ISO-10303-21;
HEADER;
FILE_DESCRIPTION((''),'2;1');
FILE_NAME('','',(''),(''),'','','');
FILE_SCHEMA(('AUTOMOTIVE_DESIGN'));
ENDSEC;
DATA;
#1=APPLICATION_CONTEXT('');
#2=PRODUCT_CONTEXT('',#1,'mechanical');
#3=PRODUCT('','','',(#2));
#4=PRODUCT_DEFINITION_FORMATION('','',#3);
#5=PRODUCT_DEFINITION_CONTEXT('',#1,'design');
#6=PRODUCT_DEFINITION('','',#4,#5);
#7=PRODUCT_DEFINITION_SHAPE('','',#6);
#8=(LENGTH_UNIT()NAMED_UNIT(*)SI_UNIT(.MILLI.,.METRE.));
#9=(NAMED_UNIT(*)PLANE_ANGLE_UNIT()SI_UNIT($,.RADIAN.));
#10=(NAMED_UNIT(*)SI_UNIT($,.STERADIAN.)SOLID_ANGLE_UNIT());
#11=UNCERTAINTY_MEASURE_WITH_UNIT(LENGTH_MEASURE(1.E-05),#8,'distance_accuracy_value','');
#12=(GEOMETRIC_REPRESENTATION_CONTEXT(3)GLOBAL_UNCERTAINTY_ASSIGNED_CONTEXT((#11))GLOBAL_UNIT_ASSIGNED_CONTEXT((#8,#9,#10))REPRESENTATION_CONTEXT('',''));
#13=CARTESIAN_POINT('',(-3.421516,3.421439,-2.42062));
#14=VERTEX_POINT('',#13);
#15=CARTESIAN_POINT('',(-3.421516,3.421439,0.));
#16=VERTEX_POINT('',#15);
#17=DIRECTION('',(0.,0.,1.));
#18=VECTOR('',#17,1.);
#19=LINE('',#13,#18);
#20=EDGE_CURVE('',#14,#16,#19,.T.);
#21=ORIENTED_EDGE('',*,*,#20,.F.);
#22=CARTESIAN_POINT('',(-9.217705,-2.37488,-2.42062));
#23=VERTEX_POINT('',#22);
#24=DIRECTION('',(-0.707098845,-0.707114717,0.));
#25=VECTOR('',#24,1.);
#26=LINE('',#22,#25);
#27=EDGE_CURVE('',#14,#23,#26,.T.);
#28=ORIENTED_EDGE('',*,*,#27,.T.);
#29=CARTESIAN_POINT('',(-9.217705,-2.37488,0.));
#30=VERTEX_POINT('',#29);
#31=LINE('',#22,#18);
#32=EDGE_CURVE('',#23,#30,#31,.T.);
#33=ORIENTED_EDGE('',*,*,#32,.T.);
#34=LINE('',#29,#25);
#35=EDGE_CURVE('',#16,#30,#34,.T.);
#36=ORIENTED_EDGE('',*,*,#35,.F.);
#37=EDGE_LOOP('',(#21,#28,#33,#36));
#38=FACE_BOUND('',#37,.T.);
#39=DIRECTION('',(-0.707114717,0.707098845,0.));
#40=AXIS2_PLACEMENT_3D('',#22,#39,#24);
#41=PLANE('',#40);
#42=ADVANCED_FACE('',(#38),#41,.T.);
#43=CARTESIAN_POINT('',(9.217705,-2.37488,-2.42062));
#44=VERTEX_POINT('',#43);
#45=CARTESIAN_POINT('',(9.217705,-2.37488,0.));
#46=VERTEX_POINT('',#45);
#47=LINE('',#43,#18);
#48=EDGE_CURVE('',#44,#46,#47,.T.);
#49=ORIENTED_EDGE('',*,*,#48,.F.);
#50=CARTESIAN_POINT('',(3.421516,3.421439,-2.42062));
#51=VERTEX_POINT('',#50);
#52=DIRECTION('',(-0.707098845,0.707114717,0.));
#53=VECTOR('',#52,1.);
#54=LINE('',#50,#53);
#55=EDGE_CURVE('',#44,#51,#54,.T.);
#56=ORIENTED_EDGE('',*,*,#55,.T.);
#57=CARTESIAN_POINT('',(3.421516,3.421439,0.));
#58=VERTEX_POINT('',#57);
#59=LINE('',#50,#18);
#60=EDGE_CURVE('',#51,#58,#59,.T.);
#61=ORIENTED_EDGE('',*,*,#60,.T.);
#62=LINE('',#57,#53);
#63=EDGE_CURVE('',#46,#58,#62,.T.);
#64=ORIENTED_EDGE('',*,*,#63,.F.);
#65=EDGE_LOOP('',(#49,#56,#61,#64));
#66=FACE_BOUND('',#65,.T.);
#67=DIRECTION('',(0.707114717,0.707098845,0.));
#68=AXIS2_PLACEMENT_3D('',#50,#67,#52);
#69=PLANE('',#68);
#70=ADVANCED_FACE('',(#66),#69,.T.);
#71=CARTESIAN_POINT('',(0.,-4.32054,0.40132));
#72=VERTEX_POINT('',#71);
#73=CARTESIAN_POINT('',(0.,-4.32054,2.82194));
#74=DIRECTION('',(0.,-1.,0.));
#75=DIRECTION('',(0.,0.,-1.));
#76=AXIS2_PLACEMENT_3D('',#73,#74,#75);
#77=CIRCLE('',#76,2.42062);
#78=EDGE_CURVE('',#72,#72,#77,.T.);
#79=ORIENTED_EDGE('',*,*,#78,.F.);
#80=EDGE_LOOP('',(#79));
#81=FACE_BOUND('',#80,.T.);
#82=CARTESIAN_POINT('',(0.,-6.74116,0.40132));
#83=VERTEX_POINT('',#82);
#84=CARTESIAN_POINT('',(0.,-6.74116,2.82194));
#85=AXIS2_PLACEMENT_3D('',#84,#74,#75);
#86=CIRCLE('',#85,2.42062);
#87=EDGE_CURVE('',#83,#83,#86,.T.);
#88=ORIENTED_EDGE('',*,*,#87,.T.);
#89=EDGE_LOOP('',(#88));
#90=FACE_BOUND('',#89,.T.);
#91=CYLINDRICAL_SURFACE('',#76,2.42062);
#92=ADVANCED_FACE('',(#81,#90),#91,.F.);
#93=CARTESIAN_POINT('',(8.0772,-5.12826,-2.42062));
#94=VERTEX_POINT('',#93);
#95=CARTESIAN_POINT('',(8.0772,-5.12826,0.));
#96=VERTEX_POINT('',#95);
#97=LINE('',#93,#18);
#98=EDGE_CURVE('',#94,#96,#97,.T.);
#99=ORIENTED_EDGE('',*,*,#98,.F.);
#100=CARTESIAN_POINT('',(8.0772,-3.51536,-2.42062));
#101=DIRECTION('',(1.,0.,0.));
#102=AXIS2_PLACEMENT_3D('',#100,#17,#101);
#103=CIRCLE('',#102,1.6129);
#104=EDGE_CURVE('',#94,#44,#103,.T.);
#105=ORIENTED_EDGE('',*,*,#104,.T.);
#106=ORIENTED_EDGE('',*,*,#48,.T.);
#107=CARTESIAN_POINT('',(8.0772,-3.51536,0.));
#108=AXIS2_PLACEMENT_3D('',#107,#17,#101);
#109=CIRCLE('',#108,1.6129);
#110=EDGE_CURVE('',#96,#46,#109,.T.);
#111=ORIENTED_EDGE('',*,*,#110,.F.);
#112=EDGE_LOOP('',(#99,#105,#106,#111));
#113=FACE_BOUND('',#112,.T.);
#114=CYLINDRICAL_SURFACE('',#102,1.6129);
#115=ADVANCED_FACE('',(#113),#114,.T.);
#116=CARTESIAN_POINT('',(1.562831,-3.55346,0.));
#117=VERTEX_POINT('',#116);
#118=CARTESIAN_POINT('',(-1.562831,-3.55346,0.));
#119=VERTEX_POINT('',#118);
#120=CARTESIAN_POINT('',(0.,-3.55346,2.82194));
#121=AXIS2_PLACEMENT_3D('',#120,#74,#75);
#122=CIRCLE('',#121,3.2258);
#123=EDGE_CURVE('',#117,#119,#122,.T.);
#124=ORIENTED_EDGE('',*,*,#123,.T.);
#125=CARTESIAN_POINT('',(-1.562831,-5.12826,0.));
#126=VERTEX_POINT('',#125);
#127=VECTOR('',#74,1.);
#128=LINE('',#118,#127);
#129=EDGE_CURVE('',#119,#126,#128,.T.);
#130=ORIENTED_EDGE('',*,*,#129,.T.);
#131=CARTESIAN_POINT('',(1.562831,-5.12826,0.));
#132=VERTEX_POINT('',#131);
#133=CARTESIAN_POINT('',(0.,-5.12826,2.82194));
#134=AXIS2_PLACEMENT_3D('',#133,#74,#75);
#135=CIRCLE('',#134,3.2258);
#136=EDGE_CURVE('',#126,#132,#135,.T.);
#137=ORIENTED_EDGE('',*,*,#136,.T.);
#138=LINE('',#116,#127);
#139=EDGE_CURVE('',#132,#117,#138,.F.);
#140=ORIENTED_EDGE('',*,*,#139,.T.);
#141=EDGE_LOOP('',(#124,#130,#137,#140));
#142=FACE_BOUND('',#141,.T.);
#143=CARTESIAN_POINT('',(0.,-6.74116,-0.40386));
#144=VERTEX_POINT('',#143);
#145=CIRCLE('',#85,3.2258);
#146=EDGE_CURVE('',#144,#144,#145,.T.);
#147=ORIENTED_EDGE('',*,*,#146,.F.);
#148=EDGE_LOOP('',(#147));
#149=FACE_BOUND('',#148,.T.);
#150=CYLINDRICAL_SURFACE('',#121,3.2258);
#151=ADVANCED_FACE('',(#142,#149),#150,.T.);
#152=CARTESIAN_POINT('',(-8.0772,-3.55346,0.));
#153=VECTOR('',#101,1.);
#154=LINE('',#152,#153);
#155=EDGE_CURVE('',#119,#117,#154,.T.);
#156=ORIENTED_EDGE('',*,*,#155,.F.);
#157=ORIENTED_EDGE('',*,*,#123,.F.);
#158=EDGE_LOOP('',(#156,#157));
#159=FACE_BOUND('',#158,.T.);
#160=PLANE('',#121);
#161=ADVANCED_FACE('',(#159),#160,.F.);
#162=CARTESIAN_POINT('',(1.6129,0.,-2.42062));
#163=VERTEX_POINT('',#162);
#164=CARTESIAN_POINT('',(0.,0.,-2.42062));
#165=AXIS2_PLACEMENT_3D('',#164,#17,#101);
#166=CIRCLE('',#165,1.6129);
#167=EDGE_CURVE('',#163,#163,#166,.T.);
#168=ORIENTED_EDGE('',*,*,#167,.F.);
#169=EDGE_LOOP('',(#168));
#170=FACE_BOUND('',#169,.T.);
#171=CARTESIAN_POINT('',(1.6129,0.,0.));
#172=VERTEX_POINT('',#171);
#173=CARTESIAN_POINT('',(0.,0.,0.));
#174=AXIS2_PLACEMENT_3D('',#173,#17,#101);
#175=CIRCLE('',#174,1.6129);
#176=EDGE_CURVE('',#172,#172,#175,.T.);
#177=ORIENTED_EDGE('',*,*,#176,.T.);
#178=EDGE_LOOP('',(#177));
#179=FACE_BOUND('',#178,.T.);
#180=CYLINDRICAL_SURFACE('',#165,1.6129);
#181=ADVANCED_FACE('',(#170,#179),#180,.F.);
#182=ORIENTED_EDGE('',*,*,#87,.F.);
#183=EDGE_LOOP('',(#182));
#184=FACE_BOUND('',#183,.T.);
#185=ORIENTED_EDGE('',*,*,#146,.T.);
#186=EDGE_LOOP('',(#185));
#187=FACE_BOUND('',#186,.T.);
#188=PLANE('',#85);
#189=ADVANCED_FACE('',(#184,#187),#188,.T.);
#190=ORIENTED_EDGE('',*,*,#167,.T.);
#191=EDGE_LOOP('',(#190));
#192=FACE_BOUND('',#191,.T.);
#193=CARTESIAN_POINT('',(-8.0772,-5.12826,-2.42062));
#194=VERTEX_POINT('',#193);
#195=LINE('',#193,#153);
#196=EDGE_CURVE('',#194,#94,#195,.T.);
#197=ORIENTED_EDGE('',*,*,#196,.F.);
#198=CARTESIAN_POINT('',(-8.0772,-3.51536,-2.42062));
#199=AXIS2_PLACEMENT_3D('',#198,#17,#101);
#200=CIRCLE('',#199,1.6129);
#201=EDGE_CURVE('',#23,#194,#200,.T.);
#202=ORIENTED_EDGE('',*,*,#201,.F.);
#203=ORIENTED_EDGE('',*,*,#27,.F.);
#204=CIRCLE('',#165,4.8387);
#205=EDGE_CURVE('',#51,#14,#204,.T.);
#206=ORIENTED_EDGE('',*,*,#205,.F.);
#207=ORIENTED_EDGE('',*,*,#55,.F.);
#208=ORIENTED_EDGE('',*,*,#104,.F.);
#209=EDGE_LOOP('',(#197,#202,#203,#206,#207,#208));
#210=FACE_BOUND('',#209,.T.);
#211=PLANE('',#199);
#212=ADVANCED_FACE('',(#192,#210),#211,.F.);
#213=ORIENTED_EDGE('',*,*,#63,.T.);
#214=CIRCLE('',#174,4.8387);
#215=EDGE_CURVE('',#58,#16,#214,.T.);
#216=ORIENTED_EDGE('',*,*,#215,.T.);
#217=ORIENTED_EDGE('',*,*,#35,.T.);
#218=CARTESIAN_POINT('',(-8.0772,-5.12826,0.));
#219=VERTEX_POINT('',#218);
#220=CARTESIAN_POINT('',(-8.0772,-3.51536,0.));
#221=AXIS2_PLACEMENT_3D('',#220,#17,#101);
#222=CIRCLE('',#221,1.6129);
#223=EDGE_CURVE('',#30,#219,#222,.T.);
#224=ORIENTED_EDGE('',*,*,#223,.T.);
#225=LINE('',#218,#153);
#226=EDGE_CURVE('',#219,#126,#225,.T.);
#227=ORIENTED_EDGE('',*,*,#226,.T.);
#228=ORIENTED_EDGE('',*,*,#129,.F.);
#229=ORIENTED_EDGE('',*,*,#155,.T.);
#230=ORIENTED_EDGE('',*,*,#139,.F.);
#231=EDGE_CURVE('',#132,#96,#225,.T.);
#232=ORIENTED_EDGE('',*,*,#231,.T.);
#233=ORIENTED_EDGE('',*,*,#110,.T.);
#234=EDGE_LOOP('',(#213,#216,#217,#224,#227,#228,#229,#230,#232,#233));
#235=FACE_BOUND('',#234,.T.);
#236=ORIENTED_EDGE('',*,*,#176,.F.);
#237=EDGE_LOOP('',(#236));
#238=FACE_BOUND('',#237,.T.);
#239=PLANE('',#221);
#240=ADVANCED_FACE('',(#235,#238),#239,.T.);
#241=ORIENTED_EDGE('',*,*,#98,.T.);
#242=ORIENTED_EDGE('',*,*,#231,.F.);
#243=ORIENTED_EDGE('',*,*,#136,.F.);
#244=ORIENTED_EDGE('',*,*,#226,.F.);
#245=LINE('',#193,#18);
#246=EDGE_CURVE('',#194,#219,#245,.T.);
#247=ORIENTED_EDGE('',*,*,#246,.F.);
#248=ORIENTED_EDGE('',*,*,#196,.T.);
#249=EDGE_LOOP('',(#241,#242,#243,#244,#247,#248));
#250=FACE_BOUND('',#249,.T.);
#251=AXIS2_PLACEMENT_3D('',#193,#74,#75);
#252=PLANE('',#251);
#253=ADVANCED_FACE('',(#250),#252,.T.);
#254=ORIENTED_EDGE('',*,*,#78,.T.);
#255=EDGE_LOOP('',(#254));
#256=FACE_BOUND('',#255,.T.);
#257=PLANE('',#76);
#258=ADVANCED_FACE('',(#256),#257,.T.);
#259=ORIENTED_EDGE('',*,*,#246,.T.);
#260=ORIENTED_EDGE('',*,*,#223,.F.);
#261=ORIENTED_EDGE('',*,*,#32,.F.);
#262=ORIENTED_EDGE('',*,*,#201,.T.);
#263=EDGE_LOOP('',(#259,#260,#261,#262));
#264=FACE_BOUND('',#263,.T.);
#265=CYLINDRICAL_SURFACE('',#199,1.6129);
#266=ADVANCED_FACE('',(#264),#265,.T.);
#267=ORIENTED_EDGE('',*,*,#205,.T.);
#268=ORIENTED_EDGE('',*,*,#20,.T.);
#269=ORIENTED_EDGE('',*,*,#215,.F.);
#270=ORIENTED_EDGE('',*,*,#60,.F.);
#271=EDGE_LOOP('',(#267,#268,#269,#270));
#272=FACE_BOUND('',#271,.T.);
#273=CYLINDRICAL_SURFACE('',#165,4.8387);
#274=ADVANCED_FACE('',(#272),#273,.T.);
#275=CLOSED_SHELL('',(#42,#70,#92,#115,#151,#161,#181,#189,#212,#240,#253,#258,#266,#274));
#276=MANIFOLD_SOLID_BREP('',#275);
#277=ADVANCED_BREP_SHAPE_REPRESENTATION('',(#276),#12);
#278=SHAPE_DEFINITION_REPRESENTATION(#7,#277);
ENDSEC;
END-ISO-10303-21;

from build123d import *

# Parameters (mm, degrees)
SKETCH1_R                = 1.6129
BOSS_EXTRUDE1_DEPTH      = 2.42062
SKETCH2_R                = 3.2258
BOSS_EXTRUDE2_DEPTH      = 1.6129
BOSS_EXTRUDE2_DEPTH_BACK = 1.5748
SKETCH3_R                = 2.42062
CUT_EXTRUDE1_DEPTH       = 2.42062


with BuildPart() as part:
    # Sketch1 → Boss-Extrude1 (new body)
    with BuildSketch(Plane.XY):
        with BuildLine():
            Line((-8.0772, -5.12826), (8.0772, -5.12826))
            ThreePointArc((8.0772, -5.12826), (9.567321834, -4.13259847), (9.217705328, -2.374880273))
            Line((9.217705328, -2.374880273), (3.421515983, 3.421439181))
            ThreePointArc((3.421515983, 3.421439181), (0, 4.8387), (-3.421515983, 3.421439181))
            Line((-3.421515983, 3.421439181), (-9.217705328, -2.374880273))
            ThreePointArc((-9.217705328, -2.374880273), (-9.567321834, -4.13259847), (-8.0772, -5.12826))
        make_face()
        Circle(SKETCH1_R, mode=Mode.SUBTRACT)
    extrude(amount=-BOSS_EXTRUDE1_DEPTH)

    # Sketch2 → Boss-Extrude2 (add, two sides)
    with BuildSketch(Plane.XZ.offset(5.12826)) as boss_extrude2_sk:
        with Locations((0, 2.82194)):
            Circle(SKETCH2_R)
    extrude(amount=BOSS_EXTRUDE2_DEPTH)
    extrude(boss_extrude2_sk.sketch, amount=-BOSS_EXTRUDE2_DEPTH_BACK)

    # Sketch3 → Cut-Extrude1 (cut)
    with BuildSketch(Plane.XZ.offset(6.74116)):
        with Locations((0, 2.82194)):
            Circle(SKETCH3_R)
    extrude(amount=-CUT_EXTRUDE1_DEPTH, mode=Mode.SUBTRACT)


solid = part.part
